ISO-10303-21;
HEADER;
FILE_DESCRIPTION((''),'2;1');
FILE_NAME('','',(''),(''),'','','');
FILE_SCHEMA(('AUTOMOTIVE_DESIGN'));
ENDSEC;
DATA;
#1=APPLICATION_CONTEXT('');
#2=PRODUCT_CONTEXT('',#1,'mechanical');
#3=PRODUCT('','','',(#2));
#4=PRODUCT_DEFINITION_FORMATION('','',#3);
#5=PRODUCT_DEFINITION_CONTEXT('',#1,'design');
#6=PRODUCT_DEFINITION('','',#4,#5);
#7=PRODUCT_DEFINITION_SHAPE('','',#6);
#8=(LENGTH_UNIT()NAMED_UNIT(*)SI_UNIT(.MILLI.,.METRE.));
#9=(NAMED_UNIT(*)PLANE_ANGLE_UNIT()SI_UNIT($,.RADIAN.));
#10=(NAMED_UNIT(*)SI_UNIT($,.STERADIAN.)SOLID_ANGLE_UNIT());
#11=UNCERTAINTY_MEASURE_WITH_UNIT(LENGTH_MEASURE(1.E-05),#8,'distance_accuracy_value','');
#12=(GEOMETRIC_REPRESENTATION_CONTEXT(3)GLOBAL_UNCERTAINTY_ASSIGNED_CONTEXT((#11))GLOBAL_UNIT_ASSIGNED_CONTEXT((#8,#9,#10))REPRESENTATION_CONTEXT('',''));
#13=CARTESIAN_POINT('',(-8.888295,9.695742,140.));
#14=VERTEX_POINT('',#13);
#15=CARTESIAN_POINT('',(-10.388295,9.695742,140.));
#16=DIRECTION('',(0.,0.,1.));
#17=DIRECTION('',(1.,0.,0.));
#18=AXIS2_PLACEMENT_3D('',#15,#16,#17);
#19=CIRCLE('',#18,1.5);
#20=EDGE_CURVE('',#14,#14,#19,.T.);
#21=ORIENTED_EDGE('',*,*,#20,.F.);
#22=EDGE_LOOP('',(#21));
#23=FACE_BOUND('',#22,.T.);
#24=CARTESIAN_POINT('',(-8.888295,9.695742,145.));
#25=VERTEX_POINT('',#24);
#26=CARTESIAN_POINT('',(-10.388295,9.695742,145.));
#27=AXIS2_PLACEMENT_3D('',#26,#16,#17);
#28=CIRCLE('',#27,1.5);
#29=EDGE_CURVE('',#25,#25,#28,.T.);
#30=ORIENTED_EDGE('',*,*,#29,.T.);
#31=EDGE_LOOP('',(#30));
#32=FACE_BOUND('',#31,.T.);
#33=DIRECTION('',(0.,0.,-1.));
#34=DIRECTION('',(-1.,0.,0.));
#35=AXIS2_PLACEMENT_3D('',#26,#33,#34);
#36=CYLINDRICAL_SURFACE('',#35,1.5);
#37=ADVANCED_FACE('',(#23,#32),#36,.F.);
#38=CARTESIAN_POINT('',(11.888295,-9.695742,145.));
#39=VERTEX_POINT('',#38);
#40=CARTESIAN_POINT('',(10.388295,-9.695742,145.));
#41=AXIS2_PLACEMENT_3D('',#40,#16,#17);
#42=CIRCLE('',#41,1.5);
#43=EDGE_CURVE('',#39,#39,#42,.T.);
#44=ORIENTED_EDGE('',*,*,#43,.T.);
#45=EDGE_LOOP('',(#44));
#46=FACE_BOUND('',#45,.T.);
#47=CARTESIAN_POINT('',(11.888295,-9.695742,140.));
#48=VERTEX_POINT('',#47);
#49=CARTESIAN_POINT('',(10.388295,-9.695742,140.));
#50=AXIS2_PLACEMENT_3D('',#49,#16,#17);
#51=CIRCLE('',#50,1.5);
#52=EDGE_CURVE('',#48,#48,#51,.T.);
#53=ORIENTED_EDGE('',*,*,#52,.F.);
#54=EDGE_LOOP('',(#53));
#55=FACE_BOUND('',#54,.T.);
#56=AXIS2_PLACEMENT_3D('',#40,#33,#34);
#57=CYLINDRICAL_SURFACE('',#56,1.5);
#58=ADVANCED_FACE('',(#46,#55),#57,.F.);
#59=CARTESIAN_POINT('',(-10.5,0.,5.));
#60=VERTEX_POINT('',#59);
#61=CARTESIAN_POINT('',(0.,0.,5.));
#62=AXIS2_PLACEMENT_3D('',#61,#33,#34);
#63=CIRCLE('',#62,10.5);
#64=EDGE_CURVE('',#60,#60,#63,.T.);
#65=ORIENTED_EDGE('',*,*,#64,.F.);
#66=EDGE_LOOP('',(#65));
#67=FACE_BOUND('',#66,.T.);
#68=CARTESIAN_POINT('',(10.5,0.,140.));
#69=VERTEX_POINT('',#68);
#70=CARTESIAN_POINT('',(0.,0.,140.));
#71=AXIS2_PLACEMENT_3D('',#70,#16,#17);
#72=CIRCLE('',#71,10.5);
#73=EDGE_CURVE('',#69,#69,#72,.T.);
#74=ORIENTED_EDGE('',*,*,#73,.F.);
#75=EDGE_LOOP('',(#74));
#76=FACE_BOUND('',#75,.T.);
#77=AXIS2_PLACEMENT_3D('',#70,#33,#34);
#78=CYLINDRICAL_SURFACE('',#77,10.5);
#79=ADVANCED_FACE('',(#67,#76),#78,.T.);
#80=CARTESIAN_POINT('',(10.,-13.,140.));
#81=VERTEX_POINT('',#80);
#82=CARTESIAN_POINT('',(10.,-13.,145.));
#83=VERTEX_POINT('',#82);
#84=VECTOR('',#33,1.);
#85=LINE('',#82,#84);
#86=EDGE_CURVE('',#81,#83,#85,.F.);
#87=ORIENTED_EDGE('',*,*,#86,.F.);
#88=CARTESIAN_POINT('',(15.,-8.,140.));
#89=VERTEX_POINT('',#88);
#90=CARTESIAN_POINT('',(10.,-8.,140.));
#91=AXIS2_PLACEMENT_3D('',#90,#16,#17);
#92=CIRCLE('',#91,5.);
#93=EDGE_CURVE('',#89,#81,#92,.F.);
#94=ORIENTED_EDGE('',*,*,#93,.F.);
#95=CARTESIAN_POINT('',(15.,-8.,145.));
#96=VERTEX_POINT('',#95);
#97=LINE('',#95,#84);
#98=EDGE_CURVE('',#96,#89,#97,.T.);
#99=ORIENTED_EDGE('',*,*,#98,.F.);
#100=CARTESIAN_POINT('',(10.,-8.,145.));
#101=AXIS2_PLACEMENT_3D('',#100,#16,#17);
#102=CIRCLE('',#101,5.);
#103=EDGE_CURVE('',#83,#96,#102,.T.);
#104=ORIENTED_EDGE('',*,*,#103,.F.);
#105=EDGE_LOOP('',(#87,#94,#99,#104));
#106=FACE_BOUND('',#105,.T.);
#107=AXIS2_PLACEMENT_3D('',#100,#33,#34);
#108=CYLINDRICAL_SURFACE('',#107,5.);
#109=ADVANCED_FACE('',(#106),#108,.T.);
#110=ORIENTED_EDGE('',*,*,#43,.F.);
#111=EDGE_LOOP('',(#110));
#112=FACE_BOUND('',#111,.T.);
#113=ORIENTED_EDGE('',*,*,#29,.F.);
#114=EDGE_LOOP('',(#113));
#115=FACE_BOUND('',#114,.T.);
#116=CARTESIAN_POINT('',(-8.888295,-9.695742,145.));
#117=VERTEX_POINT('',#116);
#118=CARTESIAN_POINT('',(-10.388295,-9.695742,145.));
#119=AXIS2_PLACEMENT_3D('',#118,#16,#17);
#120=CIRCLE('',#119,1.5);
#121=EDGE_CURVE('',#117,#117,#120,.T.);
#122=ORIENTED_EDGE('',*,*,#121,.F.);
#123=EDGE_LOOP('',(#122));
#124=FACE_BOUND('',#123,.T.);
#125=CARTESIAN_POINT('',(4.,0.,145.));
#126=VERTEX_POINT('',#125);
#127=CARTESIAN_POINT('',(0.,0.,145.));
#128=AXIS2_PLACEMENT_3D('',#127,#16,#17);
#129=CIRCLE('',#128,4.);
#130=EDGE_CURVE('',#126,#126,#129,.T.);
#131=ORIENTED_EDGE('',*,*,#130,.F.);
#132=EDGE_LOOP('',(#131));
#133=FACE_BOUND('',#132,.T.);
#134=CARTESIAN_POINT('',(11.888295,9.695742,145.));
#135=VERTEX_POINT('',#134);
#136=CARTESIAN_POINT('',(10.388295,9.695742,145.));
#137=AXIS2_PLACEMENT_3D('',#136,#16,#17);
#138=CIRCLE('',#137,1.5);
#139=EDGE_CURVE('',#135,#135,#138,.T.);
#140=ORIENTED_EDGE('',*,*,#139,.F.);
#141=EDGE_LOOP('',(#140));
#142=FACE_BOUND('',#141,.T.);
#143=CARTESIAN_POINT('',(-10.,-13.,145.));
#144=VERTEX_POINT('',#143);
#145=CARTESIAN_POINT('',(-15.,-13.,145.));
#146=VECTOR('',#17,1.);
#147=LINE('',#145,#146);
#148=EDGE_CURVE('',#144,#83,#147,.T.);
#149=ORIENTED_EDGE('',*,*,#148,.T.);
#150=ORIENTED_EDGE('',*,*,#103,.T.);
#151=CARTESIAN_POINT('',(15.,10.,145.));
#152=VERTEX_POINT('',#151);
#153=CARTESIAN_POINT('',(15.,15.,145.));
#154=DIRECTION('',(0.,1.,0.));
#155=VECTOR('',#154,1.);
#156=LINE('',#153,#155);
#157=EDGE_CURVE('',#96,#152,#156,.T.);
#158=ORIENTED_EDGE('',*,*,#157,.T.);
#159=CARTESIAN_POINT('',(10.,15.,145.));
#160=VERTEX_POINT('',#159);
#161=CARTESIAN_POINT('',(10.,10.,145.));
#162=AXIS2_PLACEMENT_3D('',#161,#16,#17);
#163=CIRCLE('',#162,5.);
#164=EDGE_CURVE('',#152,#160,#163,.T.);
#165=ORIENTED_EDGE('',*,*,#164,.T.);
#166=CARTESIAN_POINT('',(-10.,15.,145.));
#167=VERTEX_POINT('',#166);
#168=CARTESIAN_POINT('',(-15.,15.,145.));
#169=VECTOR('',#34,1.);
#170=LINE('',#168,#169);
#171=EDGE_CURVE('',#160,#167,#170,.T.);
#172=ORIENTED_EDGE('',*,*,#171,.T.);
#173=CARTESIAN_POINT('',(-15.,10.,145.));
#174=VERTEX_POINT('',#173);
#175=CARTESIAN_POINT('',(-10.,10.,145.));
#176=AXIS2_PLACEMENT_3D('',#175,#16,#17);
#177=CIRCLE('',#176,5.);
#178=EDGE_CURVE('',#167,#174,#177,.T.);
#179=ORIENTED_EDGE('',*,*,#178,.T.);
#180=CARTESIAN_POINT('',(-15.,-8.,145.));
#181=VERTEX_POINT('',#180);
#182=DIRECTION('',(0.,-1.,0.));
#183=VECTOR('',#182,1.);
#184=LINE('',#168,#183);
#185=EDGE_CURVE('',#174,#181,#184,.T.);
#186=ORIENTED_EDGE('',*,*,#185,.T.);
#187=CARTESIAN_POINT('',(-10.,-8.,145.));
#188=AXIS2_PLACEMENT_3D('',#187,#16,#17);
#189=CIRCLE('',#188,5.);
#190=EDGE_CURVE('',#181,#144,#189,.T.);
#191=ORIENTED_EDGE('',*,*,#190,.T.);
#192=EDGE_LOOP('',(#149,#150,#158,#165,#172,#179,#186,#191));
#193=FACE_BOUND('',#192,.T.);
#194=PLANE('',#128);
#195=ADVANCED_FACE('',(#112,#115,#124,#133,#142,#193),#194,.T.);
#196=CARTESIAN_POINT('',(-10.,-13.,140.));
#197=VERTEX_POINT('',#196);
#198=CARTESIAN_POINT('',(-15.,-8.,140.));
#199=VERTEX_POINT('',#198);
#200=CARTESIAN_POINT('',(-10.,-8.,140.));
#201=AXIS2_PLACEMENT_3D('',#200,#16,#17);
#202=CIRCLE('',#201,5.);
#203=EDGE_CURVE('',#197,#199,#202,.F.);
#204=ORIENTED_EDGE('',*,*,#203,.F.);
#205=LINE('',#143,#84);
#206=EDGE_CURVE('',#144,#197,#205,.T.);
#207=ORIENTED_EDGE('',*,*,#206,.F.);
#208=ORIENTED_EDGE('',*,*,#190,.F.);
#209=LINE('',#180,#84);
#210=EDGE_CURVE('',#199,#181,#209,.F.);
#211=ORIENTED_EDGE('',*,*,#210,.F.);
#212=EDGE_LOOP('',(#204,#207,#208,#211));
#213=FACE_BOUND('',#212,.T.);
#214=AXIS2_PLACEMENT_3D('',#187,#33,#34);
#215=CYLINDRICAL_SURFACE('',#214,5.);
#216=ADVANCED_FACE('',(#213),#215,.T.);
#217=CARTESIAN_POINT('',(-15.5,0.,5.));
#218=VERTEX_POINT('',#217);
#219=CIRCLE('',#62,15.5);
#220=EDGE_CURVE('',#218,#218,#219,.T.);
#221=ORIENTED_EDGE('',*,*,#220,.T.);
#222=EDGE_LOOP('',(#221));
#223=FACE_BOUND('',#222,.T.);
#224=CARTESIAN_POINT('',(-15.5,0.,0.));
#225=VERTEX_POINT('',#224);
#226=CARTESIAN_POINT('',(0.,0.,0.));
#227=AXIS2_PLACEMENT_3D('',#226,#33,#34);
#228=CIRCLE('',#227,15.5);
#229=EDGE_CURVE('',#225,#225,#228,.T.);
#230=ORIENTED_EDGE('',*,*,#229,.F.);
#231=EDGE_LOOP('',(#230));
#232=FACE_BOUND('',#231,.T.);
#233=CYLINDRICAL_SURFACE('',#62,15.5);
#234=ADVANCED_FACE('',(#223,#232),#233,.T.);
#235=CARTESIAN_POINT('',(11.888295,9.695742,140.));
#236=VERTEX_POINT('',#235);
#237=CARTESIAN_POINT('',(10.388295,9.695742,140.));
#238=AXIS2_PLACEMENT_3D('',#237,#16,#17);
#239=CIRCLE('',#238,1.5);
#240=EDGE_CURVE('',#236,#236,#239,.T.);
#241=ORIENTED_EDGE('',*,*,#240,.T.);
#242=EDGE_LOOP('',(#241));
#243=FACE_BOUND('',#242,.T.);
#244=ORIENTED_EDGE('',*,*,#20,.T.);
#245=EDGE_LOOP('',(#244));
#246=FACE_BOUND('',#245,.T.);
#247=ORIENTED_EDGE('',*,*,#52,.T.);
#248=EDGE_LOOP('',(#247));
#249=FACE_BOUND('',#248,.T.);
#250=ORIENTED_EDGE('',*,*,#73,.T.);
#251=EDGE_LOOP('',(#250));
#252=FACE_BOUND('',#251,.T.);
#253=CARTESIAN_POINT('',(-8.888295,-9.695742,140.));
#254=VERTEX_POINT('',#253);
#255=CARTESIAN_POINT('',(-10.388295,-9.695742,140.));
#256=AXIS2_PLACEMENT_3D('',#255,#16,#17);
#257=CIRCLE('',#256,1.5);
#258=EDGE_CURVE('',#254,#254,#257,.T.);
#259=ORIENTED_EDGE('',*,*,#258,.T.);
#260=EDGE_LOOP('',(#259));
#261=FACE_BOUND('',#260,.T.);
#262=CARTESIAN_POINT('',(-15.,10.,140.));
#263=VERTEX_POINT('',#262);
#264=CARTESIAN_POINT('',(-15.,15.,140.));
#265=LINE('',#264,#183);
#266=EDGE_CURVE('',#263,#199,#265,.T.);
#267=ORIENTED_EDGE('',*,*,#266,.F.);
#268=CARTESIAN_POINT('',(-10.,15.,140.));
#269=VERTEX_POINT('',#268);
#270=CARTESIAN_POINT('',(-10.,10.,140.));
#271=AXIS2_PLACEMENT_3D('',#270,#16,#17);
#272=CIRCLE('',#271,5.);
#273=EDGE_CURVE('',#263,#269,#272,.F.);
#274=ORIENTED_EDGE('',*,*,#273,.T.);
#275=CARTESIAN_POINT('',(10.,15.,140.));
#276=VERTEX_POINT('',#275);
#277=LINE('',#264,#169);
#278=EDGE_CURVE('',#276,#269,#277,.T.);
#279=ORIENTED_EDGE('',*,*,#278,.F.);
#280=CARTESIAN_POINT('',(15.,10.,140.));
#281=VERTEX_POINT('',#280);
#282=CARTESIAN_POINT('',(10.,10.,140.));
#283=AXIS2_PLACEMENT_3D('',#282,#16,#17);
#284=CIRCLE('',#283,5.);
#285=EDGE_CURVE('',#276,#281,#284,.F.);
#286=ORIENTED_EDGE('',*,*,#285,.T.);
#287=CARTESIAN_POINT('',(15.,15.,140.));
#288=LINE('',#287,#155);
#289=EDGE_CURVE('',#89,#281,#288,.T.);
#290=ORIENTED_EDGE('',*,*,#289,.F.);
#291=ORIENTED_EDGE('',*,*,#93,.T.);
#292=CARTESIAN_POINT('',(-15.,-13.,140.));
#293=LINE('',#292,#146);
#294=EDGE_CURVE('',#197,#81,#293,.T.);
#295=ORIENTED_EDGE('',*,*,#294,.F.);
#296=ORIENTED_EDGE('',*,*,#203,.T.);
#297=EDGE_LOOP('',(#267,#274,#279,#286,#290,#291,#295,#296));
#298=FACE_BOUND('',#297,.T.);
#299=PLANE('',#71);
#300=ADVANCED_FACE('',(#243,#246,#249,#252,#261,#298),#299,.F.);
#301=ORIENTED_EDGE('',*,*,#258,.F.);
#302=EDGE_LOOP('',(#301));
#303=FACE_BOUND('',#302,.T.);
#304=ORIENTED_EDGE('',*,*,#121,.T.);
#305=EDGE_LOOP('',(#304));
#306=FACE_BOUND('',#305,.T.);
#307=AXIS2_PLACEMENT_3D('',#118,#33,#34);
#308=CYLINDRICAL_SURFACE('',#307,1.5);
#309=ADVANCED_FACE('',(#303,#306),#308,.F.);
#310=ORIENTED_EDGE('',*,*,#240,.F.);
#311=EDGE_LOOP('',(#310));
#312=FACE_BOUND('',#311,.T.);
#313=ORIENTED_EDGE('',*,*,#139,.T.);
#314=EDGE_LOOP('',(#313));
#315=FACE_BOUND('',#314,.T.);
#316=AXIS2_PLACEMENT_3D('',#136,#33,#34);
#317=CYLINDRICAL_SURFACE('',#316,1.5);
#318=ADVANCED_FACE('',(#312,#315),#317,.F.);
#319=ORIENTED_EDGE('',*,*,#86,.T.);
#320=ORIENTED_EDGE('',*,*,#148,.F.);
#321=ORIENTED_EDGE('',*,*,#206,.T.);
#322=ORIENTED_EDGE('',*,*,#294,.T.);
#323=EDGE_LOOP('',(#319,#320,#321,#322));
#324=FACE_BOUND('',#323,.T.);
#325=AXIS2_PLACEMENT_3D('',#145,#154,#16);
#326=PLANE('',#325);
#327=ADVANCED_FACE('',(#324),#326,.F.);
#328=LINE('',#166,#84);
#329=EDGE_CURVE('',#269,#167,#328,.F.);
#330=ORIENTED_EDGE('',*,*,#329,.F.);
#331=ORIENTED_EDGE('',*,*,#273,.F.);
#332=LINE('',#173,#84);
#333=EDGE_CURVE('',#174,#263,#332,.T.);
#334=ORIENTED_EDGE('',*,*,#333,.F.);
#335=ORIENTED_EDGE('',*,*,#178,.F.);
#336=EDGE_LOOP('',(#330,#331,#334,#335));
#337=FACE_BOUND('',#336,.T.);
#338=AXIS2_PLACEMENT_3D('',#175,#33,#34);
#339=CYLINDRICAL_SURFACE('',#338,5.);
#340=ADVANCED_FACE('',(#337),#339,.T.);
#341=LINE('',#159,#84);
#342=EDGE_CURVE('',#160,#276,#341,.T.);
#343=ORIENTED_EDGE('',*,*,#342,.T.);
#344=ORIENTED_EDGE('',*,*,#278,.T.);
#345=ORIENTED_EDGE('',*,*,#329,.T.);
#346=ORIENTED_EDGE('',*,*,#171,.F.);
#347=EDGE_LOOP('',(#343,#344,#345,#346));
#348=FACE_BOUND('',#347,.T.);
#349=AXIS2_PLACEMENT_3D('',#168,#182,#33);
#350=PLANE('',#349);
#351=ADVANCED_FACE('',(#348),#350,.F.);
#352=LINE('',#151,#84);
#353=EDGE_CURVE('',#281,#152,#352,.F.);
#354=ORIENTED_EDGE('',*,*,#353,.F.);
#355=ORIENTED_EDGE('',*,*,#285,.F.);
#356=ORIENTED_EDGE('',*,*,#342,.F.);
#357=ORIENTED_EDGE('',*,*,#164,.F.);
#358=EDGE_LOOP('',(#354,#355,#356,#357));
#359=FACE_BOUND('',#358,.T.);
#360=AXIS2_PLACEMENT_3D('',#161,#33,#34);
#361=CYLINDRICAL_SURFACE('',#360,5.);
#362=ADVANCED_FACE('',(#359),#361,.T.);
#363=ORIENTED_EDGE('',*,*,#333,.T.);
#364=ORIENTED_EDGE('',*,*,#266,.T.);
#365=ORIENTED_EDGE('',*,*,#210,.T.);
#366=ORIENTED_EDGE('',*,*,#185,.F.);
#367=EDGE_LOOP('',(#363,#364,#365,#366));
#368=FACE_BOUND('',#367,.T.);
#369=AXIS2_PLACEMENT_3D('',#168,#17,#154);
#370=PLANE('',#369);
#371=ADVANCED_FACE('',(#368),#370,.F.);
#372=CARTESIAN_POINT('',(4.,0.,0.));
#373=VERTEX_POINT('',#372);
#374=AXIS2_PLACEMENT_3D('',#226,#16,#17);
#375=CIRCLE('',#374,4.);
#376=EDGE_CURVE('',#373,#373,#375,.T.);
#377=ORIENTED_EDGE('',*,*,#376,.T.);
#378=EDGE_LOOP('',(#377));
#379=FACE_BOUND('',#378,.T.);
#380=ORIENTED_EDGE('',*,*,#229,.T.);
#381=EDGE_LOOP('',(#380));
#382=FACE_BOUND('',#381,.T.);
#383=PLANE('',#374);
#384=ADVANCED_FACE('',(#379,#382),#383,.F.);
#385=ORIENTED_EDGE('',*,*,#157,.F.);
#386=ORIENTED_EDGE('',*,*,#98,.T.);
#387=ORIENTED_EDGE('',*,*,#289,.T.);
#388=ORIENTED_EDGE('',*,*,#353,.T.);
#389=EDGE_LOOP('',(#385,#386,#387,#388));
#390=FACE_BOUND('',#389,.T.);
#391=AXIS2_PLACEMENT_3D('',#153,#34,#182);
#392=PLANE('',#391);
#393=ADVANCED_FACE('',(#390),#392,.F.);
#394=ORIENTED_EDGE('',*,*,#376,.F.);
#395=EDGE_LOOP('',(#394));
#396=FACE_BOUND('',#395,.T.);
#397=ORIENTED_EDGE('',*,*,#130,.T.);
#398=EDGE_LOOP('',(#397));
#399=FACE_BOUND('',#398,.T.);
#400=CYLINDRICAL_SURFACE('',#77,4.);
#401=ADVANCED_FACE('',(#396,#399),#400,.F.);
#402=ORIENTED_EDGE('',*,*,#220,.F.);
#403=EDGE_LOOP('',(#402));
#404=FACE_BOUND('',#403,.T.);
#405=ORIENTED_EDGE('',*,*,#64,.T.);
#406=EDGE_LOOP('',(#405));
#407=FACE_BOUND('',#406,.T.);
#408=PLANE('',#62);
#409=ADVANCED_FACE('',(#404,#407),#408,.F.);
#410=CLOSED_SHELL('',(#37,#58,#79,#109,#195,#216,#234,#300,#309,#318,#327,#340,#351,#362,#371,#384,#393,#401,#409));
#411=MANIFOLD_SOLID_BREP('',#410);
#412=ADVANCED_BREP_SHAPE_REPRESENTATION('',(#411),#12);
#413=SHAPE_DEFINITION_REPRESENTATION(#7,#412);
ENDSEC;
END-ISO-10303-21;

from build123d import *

# Parameters (mm, degrees)
SKETCH1_R           = 10.5
SKETCH1_R_2         = 4
BOSS_EXTRUDE1_DEPTH = 140
SKETCH2_W           = 30
SKETCH2_H           = 28
SKETCH2_R           = 1.5
SKETCH2_R_2         = 4
BOSS_EXTRUDE2_DEPTH = 5
FILLET1_R           = 5
SKETCH3_R           = 15.5
SKETCH3_R_2         = 10.5
EXTRUDE_THIN1_DEPTH = 5


with BuildPart() as part:
    # Sketch1 → Boss-Extrude1 (new body)
    with BuildSketch(Plane.XY):
        Circle(SKETCH1_R)
        Circle(SKETCH1_R_2, mode=Mode.SUBTRACT)
    extrude(amount=BOSS_EXTRUDE1_DEPTH)

    # Sketch2 → Boss-Extrude2 (add)
    with BuildSketch(Plane.XY.offset(140)):
        with Locations((0, 1)):
            Rectangle(SKETCH2_W, SKETCH2_H)
        with Locations((-10.388295362, 9.695742338)):
            Circle(SKETCH2_R, mode=Mode.SUBTRACT)
        with Locations((10.388295362, -9.695742338)):
            Circle(SKETCH2_R, mode=Mode.SUBTRACT)
        with Locations((10.388295362, 9.695742338)):
            Circle(SKETCH2_R, mode=Mode.SUBTRACT)
        with Locations((-10.388295362, -9.695742338)):
            Circle(SKETCH2_R, mode=Mode.SUBTRACT)
        Circle(SKETCH2_R_2, mode=Mode.SUBTRACT)
    extrude(amount=BOSS_EXTRUDE2_DEPTH)

    # Fillet1
    fillet1_edges = [part.edges().sort_by_distance(p)[0] for p in [
        (15, -13, 142.5),
        (15, 15, 142.5),
        (-15, 15, 142.5),
        (-15, -13, 142.5),
    ]]
    fillet(fillet1_edges, radius=FILLET1_R)

    # Sketch3 → Extrude-Thin1 (add)
    with BuildSketch(Plane(origin=(0, 0, 0), x_dir=(-1, 0, 0), z_dir=(0, 0, -1))):
        Circle(SKETCH3_R)
        Circle(SKETCH3_R_2, mode=Mode.SUBTRACT)
    extrude(amount=-EXTRUDE_THIN1_DEPTH)


solid = part.part
